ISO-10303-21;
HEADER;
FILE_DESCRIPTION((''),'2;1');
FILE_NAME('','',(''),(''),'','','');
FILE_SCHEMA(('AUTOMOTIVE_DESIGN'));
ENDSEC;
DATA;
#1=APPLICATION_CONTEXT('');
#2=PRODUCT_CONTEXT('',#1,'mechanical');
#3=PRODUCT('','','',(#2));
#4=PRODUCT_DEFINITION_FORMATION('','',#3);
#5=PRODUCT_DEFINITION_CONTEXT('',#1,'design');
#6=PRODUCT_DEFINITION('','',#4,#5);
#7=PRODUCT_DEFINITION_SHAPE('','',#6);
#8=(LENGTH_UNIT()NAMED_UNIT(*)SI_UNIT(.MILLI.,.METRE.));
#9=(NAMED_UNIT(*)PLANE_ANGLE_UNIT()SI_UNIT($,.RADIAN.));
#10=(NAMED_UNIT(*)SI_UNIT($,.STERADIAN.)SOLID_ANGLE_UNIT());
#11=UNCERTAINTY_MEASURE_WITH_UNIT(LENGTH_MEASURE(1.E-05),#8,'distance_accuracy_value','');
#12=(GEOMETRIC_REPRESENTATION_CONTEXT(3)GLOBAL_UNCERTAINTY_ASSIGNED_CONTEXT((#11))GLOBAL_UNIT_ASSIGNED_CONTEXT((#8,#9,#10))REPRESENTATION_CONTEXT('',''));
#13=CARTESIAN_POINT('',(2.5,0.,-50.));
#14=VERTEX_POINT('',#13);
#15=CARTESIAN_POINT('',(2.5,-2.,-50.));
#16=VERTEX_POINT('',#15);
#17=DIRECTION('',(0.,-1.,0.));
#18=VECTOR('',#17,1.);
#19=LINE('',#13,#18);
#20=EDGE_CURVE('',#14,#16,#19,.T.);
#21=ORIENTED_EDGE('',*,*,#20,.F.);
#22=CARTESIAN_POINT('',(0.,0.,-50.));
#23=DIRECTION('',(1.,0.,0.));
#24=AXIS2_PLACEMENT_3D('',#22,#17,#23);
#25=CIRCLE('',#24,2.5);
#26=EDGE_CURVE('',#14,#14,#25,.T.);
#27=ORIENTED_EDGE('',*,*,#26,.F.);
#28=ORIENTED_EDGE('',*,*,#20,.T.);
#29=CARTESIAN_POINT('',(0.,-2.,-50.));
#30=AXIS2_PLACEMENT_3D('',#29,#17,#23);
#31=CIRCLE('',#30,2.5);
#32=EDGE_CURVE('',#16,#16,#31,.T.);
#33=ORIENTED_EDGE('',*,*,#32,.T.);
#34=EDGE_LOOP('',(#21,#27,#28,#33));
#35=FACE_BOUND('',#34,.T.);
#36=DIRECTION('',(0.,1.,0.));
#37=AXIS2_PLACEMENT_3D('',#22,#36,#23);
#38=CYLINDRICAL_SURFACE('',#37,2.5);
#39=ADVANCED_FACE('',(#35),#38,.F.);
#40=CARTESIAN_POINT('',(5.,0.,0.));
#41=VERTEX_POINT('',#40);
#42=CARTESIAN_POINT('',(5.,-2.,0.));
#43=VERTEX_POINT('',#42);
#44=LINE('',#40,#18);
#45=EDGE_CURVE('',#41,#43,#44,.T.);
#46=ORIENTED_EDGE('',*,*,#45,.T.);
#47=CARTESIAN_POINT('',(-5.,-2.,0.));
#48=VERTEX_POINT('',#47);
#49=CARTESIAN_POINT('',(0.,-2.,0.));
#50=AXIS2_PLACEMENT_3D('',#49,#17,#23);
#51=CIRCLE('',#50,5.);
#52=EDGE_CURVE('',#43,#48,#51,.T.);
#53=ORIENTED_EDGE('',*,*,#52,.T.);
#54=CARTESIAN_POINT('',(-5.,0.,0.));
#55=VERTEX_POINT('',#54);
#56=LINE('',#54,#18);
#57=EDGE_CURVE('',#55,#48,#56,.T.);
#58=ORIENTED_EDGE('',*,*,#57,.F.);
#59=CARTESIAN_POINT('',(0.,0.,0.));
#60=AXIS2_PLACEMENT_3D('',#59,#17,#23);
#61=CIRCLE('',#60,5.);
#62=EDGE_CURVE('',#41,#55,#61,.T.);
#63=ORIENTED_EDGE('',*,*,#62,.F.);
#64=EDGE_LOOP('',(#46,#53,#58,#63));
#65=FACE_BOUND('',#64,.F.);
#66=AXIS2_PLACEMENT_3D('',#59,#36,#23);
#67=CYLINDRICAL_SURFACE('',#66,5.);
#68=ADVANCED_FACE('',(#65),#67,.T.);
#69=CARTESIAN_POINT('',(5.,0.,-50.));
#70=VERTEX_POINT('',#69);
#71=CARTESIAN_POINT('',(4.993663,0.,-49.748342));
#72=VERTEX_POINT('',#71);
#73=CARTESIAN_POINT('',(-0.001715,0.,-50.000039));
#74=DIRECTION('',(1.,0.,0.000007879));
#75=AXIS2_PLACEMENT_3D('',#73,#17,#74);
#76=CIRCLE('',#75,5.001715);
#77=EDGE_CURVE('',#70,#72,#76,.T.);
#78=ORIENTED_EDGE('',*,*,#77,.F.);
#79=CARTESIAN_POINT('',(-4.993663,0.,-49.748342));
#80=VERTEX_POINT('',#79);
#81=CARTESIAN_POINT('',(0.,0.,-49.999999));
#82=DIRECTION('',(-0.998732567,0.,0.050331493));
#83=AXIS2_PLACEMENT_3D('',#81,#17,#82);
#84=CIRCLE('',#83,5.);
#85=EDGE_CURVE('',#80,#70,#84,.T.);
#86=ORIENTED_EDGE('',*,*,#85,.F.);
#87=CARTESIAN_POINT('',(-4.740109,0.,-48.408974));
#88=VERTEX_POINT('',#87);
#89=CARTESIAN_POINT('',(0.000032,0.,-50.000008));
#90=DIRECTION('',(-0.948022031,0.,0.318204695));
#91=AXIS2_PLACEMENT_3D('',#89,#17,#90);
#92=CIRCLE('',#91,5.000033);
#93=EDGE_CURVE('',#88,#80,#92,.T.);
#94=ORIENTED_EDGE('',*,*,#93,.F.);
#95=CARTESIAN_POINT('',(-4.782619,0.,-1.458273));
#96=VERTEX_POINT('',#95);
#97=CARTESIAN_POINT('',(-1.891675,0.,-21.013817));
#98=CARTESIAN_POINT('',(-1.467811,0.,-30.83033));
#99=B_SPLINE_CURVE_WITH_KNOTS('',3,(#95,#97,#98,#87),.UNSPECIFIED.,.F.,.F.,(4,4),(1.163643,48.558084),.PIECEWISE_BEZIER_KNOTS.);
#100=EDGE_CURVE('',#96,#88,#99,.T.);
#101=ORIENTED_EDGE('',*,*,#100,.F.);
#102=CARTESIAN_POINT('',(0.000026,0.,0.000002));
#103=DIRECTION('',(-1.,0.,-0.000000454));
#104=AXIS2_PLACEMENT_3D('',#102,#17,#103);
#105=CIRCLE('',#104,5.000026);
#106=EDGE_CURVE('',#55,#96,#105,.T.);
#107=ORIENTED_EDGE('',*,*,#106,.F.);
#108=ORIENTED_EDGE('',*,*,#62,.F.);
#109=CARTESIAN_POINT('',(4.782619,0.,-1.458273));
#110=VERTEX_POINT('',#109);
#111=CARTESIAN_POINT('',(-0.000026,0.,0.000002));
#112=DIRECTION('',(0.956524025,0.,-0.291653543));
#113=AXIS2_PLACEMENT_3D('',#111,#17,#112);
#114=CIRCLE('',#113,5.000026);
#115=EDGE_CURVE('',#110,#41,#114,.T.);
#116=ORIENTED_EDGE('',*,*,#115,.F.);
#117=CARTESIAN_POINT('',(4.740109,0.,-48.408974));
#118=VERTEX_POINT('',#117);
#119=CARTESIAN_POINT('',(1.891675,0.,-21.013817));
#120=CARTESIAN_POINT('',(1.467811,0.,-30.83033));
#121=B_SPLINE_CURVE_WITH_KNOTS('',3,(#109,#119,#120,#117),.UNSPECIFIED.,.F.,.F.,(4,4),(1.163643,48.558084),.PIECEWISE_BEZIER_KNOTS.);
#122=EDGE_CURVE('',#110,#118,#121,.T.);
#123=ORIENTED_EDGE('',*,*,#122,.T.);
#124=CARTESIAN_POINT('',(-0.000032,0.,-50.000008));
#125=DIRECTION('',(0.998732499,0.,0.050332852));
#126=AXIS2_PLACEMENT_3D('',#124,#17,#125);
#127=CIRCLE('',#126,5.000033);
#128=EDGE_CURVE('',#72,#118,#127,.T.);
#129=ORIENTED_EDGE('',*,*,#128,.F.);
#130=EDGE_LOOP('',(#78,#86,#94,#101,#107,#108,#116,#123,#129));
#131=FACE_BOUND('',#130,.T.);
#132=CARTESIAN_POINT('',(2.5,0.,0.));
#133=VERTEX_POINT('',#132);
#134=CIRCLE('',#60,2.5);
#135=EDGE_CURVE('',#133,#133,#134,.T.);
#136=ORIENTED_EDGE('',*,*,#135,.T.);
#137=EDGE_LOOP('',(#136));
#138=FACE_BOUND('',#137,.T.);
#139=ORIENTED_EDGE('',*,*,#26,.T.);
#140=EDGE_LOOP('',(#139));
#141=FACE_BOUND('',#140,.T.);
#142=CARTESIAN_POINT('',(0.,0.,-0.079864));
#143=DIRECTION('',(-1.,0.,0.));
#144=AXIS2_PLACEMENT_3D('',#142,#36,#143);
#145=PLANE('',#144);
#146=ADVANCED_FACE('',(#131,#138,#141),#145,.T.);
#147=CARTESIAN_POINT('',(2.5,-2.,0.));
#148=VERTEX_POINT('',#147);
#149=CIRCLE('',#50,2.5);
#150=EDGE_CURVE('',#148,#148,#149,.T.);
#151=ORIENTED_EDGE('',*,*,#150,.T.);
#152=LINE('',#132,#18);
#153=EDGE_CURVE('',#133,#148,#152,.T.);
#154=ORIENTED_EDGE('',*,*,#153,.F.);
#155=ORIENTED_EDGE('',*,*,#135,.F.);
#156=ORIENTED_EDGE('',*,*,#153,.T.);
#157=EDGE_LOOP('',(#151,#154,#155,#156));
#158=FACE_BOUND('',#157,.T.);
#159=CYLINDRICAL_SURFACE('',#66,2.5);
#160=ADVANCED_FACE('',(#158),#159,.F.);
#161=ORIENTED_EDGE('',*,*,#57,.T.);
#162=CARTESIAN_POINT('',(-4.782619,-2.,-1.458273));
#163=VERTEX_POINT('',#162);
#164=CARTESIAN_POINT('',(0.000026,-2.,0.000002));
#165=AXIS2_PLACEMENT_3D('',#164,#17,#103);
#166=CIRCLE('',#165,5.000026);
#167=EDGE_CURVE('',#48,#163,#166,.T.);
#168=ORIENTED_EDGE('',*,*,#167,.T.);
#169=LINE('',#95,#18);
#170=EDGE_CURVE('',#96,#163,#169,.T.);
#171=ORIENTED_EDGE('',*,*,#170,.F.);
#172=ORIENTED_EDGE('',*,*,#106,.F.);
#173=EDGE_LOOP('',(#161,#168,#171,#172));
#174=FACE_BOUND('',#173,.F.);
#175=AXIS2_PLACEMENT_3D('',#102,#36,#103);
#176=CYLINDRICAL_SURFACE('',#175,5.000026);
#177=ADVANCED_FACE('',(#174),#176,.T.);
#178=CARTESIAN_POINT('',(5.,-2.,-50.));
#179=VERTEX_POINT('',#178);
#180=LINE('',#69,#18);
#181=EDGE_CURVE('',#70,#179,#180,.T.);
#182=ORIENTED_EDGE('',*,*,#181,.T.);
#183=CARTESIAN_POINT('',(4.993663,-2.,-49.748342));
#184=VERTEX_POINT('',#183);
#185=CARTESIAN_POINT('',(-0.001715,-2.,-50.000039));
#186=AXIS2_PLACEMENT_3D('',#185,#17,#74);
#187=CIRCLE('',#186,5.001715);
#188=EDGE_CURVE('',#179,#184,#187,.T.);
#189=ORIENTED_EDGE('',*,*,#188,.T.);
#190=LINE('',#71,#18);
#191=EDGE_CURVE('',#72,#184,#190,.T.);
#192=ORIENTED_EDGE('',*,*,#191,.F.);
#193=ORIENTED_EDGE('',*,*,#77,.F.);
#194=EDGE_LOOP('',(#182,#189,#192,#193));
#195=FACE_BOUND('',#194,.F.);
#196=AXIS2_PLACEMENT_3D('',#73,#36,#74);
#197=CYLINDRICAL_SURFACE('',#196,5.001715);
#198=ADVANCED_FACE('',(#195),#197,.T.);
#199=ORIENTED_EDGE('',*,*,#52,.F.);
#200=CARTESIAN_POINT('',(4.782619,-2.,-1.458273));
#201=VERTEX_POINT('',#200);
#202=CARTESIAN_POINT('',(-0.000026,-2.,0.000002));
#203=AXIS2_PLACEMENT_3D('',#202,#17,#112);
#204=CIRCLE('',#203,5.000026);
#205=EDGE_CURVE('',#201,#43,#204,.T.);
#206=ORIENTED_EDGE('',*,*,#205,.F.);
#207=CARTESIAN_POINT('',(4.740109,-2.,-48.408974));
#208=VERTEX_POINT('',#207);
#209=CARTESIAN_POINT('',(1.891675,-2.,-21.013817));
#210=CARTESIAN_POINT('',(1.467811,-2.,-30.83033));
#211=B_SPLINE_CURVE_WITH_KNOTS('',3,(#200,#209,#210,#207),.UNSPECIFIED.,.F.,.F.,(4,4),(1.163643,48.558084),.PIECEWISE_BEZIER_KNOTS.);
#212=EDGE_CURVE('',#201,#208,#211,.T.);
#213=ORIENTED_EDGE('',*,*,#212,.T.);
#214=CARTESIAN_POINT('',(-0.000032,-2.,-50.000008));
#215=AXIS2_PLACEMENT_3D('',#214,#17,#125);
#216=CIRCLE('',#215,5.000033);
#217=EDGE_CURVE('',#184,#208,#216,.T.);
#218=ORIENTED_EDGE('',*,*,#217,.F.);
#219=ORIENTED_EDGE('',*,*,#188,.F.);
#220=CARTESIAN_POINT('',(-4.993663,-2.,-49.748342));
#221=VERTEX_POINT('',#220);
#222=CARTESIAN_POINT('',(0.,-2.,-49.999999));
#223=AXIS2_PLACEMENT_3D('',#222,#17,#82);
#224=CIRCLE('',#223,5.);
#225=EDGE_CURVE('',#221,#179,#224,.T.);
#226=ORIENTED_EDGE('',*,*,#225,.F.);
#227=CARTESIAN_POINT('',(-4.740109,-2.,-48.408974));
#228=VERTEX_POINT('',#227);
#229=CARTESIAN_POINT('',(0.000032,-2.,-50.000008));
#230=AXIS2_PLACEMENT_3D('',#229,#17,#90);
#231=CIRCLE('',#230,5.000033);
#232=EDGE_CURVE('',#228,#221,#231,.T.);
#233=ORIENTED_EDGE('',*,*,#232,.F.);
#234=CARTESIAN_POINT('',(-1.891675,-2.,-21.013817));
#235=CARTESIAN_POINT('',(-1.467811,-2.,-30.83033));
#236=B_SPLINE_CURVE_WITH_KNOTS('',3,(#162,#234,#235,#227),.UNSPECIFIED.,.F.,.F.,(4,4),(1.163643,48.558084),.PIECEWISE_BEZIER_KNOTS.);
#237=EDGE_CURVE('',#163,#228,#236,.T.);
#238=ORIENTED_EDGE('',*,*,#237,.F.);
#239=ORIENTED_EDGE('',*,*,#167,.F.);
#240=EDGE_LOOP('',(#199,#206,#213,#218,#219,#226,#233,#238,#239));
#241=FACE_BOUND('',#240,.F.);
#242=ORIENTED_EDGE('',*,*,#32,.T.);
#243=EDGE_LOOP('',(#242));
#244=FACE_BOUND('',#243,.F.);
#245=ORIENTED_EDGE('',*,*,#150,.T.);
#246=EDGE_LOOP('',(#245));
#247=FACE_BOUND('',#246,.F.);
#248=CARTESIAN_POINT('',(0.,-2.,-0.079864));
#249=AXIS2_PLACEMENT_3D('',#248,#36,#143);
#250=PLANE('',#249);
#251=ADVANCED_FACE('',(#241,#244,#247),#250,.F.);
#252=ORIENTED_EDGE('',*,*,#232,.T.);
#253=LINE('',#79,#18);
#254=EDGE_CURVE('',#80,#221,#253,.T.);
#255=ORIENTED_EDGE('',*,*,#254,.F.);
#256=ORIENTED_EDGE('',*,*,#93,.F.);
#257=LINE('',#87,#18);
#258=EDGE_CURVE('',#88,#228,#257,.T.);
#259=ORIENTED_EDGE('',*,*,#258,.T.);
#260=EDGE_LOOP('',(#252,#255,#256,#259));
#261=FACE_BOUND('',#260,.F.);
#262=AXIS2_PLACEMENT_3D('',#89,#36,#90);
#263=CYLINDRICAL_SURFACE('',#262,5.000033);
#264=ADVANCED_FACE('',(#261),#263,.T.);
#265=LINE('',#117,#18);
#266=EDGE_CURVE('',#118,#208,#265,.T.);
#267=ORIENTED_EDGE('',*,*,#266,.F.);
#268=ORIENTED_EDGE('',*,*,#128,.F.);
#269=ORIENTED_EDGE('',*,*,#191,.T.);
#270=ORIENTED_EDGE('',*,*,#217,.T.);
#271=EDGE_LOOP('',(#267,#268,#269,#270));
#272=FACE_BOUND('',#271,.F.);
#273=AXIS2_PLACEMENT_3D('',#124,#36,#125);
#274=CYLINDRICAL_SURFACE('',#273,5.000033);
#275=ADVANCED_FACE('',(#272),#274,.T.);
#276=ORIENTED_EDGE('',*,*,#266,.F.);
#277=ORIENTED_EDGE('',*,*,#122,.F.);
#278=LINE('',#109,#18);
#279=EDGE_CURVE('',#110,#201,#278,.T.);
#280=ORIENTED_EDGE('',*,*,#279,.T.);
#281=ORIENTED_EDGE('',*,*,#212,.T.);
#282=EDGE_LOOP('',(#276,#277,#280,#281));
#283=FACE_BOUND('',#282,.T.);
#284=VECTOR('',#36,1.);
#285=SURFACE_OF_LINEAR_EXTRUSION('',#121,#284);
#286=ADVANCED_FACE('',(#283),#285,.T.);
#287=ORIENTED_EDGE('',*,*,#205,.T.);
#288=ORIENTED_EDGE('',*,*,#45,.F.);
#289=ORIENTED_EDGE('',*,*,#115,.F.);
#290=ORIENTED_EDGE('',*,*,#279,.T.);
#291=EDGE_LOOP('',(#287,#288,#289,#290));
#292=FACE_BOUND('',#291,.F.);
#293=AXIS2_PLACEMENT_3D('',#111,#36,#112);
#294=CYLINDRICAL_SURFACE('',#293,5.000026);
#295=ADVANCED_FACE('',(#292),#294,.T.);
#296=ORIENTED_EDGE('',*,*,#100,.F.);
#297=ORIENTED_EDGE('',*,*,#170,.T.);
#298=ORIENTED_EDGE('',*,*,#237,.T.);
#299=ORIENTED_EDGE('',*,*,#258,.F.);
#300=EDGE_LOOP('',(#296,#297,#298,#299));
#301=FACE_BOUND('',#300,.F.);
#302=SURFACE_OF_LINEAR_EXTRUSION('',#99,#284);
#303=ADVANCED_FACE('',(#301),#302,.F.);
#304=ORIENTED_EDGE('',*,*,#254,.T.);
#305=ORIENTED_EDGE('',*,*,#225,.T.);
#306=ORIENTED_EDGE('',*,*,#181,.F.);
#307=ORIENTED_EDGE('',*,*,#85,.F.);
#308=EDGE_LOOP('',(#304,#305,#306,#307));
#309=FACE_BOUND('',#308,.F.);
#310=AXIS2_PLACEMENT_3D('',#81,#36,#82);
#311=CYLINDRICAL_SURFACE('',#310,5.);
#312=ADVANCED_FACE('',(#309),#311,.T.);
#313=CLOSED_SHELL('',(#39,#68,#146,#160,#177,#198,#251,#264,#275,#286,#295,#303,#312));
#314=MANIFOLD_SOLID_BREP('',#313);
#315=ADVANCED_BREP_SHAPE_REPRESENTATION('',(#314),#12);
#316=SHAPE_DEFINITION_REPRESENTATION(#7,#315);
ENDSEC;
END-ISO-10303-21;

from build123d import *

# Parameters (mm, degrees)
F0_R     = 2.5
F1_DEPTH = 2


with BuildPart() as f1:
    # F0 (on Front) → F1 (new body)
    with BuildSketch(Plane.XZ):
        with BuildLine():
            add(Edge.make_bspline(
                [(5, 0), (4.926064, -0.492134), (4.853598, -0.978139), (4.782619, -1.458273)],
                knots=[0, 0, 0, 0, 1.163643, 1.163643, 1.163643, 1.163643], degree=3))
            ThreePointArc((5, 0), (0, 5), (-5, 0))
            add(Edge.make_bspline(
                [(-5, 0), (-4.926064, -0.492134), (-4.853598, -0.978139), (-4.782619, -1.458273)],
                knots=[0, 0, 0, 0, 1.163643, 1.163643, 1.163643, 1.163643], degree=3))
            ThreePointArc((-4.782619, -1.458273), (0, -5), (4.782619, -1.458273))
        make_face()
        Circle(F0_R, mode=Mode.SUBTRACT)
        with BuildLine():
            ThreePointArc((4.782619, -1.458273), (4.945356, -0.737193), (5, 0))
            add(Edge.make_bspline(
                [(5, 0), (4.926064, -0.492134), (4.853598, -0.978139), (4.782619, -1.458273)],
                knots=[0, 0, 0, 0, 1.163643, 1.163643, 1.163643, 1.163643], degree=3))
        make_face()
        with BuildLine():
            add(Edge.make_bspline(
                [(-5, 0), (-4.926064, -0.492134), (-4.853598, -0.978139), (-4.782619, -1.458273)],
                knots=[0, 0, 0, 0, 1.163643, 1.163643, 1.163643, 1.163643], degree=3))
            ThreePointArc((-5, 0), (-4.945356, -0.737193), (-4.782619, -1.458273))
        make_face()
        with BuildLine():
            add(Edge.make_bspline(
                [(4.782619, -1.458273), (1.891675, -21.013817), (1.467811, -30.83033), (4.740109, -48.408974)],
                knots=[1.163643, 1.163643, 1.163643, 1.163643, 48.558084, 48.558084, 48.558084, 48.558084], degree=3))
            ThreePointArc((4.782619, -1.458273), (0, -5), (-4.782619, -1.458273))
            add(Edge.make_bspline(
                [(-4.782619, -1.458273), (-1.891675, -21.013817), (-1.467811, -30.83033), (-4.740109, -48.408974)],
                knots=[1.163643, 1.163643, 1.163643, 1.163643, 48.558084, 48.558084, 48.558084, 48.558084], degree=3))
            ThreePointArc((-4.740109, -48.408974), (0, -45), (4.740109, -48.408974))
        make_face()
        with BuildLine():
            add(Edge.make_bspline(
                [(4.740109, -48.408974), (4.82229, -48.850442), (4.906801, -49.296806), (4.993663, -49.748342)],
                knots=[48.558084, 48.558084, 48.558084, 48.558084, 49.748343, 49.748343, 49.748343, 49.748343], degree=3))
            ThreePointArc((4.740109, -48.408974), (0, -45), (-4.740109, -48.408974))
            add(Edge.make_bspline(
                [(-4.740109, -48.408974), (-4.82229, -48.850442), (-4.906801, -49.296806), (-4.993663, -49.748342)],
                knots=[48.558084, 48.558084, 48.558084, 48.558084, 49.748343, 49.748343, 49.748343, 49.748343], degree=3))
            ThreePointArc((-4.993663, -49.748342), (-0.125869, -54.998415), (5, -50))
            ThreePointArc((5, -50), (4.998415, -49.874131), (4.993663, -49.748342))
        make_face()
        with Locations((0, -50)):
            Circle(F0_R, mode=Mode.SUBTRACT)
        with BuildLine():
            ThreePointArc((4.993663, -49.748342), (4.912744, -49.069977), (4.740109, -48.408974))
            add(Edge.make_bspline(
                [(4.740109, -48.408974), (4.82229, -48.850442), (4.906801, -49.296806), (4.993663, -49.748342)],
                knots=[48.558084, 48.558084, 48.558084, 48.558084, 49.748343, 49.748343, 49.748343, 49.748343], degree=3))
        make_face()
        with BuildLine():
            add(Edge.make_bspline(
                [(-4.740109, -48.408974), (-4.82229, -48.850442), (-4.906801, -49.296806), (-4.993663, -49.748342)],
                knots=[48.558084, 48.558084, 48.558084, 48.558084, 49.748343, 49.748343, 49.748343, 49.748343], degree=3))
            ThreePointArc((-4.740109, -48.408974), (-4.912744, -49.069977), (-4.993663, -49.748342))
        make_face()
    extrude(amount=F1_DEPTH)


solid = f1.part
